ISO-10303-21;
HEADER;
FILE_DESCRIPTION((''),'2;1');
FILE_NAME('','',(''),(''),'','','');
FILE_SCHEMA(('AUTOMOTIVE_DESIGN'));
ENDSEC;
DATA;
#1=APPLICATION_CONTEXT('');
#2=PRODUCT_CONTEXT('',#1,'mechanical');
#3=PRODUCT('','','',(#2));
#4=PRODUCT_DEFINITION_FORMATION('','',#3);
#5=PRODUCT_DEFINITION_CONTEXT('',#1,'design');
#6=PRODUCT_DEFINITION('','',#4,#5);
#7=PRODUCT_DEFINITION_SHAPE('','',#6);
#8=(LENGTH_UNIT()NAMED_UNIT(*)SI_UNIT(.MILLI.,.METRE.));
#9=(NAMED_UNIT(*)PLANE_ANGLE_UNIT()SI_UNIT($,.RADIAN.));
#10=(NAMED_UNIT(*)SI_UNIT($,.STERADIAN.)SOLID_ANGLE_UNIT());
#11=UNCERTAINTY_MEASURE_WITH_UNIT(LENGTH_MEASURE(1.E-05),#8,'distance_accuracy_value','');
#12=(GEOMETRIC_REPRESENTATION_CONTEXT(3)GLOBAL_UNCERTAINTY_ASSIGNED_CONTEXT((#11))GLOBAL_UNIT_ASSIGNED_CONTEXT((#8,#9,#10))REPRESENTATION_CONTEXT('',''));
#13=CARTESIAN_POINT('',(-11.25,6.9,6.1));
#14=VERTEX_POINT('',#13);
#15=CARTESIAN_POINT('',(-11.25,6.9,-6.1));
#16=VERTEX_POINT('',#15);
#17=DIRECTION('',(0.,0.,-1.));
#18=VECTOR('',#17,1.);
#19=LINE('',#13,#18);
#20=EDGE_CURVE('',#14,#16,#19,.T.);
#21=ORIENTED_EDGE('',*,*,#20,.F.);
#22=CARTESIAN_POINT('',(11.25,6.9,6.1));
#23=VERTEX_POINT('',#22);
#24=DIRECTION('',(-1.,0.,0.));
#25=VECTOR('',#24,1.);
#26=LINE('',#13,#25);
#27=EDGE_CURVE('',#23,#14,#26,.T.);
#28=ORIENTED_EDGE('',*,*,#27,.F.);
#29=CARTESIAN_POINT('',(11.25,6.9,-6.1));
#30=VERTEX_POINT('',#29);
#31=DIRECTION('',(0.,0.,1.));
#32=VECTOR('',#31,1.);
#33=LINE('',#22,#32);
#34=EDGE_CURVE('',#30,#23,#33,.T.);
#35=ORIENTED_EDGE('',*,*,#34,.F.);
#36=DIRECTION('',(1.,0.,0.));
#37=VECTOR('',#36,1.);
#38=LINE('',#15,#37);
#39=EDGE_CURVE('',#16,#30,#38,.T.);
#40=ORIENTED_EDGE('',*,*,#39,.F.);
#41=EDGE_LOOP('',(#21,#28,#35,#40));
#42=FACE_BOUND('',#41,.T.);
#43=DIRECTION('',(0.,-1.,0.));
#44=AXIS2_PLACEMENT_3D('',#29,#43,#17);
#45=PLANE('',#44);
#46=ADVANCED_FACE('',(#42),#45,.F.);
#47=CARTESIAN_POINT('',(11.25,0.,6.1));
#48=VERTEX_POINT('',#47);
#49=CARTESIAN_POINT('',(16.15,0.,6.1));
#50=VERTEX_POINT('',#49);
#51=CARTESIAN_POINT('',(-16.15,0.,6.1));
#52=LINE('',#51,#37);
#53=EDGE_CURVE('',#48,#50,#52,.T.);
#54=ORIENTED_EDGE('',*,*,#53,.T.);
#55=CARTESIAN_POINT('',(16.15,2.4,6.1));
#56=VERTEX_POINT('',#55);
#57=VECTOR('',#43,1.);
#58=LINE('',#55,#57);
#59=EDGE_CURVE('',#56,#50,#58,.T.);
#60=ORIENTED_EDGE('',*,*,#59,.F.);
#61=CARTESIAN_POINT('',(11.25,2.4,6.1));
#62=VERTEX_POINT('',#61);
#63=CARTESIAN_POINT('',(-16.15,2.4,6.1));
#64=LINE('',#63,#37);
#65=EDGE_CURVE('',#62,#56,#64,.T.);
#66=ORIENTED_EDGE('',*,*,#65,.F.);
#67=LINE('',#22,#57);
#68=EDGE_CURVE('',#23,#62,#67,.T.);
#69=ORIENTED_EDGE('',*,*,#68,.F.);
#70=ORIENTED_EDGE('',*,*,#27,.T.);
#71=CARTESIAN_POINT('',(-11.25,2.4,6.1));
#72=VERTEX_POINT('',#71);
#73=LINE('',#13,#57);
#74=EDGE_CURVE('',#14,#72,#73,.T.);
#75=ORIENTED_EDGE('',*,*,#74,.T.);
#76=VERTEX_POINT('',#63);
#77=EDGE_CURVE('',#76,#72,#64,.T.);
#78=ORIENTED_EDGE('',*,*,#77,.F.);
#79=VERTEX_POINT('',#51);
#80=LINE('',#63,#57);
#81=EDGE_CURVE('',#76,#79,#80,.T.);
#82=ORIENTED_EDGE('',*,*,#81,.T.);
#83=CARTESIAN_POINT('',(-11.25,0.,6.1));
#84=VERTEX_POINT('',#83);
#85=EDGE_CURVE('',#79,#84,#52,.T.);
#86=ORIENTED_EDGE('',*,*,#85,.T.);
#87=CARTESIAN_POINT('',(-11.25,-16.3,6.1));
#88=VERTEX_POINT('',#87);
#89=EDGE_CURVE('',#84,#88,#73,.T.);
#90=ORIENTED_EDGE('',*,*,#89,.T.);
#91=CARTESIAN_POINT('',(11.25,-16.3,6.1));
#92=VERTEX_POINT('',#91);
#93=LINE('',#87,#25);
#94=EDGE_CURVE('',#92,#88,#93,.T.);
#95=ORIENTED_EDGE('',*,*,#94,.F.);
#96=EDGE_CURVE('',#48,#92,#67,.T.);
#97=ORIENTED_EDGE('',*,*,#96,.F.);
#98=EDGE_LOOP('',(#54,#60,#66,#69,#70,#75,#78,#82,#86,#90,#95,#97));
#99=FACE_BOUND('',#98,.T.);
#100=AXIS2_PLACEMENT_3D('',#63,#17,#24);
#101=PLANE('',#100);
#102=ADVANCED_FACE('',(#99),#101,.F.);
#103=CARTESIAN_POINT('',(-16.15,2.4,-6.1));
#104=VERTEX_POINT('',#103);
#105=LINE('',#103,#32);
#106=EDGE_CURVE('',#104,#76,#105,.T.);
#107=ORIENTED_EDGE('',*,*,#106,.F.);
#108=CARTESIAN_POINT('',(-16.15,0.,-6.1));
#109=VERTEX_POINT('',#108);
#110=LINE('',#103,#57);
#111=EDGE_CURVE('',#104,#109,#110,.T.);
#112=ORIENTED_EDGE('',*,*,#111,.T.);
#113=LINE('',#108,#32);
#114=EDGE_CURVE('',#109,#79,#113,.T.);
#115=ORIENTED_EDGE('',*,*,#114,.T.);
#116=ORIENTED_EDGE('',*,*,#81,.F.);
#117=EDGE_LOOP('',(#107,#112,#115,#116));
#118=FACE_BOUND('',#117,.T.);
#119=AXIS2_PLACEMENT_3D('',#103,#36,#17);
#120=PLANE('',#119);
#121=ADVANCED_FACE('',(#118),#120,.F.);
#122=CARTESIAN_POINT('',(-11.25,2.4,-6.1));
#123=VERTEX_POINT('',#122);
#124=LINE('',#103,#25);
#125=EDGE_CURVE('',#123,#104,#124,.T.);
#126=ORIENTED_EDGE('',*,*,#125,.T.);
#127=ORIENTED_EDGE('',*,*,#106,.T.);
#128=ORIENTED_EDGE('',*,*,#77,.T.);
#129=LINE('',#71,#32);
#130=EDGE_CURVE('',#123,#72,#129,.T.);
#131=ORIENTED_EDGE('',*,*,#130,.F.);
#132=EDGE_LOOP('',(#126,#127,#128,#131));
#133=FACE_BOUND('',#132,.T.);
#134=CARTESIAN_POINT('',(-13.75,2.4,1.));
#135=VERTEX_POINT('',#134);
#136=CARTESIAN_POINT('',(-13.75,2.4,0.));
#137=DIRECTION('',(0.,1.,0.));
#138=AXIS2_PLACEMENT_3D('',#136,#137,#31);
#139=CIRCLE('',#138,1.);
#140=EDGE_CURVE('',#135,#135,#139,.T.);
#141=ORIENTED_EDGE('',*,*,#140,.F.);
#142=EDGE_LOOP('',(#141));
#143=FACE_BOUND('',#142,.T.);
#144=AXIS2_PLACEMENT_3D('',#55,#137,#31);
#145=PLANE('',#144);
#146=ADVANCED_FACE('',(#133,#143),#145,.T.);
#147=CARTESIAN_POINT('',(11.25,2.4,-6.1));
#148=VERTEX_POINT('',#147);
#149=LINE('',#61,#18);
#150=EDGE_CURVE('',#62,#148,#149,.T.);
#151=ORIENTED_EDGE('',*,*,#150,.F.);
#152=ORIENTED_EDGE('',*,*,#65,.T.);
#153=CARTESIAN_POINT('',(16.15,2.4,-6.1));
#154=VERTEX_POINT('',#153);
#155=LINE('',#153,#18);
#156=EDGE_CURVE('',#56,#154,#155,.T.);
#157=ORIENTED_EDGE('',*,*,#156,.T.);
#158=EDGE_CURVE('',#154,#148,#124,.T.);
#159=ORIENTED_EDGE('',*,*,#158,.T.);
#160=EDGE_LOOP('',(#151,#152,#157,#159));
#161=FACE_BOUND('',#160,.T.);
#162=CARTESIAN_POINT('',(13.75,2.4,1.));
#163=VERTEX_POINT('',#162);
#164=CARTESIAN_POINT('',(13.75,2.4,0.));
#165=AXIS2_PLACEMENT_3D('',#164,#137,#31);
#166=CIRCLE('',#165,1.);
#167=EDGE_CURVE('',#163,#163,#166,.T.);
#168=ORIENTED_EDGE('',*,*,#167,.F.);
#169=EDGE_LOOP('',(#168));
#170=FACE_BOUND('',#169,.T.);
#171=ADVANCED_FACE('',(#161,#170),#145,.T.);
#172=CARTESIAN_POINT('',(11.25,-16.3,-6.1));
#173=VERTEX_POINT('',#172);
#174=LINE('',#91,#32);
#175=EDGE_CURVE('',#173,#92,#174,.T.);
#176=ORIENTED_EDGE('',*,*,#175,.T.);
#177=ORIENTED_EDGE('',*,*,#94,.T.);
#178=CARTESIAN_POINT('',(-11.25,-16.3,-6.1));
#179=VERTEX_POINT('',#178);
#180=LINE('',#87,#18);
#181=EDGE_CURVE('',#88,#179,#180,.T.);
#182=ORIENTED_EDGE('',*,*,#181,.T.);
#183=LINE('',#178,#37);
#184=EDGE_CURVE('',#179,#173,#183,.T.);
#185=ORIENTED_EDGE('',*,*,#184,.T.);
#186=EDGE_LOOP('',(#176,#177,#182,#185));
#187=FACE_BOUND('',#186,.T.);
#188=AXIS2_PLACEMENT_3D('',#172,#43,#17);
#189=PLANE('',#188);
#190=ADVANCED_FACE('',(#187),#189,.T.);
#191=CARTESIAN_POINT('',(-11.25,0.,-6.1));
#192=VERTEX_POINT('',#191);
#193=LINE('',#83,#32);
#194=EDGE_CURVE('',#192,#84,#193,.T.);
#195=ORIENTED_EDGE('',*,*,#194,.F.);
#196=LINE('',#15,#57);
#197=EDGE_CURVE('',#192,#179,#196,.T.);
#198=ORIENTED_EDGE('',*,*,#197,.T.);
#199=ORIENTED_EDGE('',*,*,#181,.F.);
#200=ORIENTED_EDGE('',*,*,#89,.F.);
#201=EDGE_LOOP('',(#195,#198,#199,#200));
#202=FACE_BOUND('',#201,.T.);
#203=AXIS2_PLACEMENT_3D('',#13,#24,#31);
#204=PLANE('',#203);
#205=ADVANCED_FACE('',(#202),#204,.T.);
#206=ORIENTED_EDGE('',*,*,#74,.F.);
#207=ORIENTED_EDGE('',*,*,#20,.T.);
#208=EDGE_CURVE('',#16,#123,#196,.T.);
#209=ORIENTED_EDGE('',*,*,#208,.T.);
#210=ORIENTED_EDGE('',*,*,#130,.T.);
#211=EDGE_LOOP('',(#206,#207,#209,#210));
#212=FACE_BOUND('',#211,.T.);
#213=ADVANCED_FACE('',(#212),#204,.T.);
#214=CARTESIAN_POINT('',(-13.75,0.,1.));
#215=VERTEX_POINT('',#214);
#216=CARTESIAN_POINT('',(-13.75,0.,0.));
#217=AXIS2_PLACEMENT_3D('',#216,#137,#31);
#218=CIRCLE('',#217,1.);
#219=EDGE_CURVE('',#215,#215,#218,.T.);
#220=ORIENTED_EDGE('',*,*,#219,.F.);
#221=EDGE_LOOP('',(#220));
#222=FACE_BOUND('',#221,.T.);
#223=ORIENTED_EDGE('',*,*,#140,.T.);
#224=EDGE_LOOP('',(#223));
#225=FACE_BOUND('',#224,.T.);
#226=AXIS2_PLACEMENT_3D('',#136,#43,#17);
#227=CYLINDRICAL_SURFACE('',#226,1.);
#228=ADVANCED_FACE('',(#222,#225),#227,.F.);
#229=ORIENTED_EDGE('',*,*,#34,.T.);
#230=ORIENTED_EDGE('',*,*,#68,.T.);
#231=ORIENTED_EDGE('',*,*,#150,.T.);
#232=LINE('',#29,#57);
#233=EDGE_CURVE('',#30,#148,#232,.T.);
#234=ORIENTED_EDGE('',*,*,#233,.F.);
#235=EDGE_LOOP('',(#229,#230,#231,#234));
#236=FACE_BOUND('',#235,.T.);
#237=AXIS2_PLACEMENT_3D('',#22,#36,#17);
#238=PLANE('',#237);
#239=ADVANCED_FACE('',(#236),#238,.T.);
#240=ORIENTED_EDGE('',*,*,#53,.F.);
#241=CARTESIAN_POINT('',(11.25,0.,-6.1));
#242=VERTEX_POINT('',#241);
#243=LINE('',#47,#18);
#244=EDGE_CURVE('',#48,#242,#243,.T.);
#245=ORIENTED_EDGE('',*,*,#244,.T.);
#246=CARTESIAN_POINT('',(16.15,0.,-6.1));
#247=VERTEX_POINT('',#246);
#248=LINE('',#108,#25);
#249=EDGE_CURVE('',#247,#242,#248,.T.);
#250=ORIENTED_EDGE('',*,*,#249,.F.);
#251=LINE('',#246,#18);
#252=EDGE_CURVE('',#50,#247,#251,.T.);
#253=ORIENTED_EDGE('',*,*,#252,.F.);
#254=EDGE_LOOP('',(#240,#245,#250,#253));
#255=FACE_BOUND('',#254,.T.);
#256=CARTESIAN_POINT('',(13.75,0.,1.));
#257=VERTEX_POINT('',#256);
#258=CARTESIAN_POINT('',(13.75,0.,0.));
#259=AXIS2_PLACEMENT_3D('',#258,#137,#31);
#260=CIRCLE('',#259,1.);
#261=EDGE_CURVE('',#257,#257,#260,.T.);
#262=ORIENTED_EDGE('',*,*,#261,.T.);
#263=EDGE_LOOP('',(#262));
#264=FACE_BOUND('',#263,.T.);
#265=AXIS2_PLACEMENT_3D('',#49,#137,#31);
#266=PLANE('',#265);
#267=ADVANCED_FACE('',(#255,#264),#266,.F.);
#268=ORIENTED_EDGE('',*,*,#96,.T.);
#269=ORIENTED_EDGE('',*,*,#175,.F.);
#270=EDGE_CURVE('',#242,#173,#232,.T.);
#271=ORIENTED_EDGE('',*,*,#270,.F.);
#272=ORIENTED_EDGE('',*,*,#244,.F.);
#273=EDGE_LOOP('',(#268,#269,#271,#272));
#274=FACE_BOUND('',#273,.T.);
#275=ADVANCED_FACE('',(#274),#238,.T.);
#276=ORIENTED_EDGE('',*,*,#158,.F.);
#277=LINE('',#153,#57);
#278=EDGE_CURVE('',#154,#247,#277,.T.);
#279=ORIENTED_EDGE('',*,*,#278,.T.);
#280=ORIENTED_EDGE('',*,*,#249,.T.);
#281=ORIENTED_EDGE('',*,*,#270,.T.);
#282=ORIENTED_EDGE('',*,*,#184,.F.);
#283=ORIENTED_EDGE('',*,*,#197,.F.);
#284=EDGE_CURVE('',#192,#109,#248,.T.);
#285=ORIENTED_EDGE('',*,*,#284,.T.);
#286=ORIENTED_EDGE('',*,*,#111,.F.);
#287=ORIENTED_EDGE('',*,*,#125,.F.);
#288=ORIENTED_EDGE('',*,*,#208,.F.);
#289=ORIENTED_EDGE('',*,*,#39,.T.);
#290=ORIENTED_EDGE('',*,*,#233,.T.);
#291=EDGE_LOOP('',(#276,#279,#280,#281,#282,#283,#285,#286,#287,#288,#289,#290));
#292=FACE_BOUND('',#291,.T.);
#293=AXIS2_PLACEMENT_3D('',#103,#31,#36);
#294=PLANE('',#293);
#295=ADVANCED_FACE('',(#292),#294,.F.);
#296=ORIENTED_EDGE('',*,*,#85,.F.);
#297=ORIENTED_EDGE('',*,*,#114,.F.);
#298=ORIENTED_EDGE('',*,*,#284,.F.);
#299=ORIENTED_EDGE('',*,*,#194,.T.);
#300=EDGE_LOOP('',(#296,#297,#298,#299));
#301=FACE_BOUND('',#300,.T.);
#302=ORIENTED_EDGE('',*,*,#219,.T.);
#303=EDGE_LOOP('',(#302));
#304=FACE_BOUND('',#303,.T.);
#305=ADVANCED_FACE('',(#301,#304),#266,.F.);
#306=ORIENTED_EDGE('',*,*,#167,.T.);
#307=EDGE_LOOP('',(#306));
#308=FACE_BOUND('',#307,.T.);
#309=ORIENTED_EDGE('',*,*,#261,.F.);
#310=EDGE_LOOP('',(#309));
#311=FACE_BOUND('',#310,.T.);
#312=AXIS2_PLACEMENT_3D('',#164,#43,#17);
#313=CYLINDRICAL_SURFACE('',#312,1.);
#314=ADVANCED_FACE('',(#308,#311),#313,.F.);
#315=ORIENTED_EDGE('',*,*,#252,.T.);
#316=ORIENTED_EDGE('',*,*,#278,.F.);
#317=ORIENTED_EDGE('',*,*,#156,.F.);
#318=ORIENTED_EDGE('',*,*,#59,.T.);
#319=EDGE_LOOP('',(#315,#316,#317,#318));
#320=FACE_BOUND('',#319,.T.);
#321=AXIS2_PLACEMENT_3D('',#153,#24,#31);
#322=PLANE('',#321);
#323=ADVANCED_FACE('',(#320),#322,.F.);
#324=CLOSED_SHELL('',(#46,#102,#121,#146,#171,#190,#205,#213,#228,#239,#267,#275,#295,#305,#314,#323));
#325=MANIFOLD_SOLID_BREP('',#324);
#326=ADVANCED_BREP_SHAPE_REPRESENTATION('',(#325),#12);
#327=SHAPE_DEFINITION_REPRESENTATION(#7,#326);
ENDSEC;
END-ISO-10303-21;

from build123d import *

# Parameters (mm, degrees)
SKETCH_2_W           = 32.3
SKETCH_2_H           = 12.2
SKETCH_2_R           = 1
EXTRUDE_1_DEPTH      = 2.4
EXTRUDE_2_DEPTH      = 16.3
EXTRUDE_2_DEPTH_BACK = 6.9
SKETCH_3_W           = 22.5
SKETCH_3_H           = 12.2


with BuildPart() as part:
    # 草圖2 → 填料-伸長1 (new body)
    with BuildSketch(Plane(origin=(0, 0, 0), x_dir=(1, 0, 0), z_dir=(0, 1, 0))):
        Rectangle(SKETCH_2_W, SKETCH_2_H)
        with Locations(Location((-13.75, 0, 0), (0, 0, 270))):
            Circle(SKETCH_2_R, mode=Mode.SUBTRACT)
        with Locations(Location((13.75, 0, 0), (0, 0, 270))):
            Circle(SKETCH_2_R, mode=Mode.SUBTRACT)
    extrude(amount=EXTRUDE_1_DEPTH)

    # 草圖3 → 填料-伸長2 (add, two sides: drawn at the far end of the back side and taken through both)
    with BuildSketch(Plane.XZ.offset(-EXTRUDE_2_DEPTH_BACK)):
        Rectangle(SKETCH_3_W, SKETCH_3_H)
    extrude(amount=EXTRUDE_2_DEPTH + EXTRUDE_2_DEPTH_BACK)


solid = part.part
